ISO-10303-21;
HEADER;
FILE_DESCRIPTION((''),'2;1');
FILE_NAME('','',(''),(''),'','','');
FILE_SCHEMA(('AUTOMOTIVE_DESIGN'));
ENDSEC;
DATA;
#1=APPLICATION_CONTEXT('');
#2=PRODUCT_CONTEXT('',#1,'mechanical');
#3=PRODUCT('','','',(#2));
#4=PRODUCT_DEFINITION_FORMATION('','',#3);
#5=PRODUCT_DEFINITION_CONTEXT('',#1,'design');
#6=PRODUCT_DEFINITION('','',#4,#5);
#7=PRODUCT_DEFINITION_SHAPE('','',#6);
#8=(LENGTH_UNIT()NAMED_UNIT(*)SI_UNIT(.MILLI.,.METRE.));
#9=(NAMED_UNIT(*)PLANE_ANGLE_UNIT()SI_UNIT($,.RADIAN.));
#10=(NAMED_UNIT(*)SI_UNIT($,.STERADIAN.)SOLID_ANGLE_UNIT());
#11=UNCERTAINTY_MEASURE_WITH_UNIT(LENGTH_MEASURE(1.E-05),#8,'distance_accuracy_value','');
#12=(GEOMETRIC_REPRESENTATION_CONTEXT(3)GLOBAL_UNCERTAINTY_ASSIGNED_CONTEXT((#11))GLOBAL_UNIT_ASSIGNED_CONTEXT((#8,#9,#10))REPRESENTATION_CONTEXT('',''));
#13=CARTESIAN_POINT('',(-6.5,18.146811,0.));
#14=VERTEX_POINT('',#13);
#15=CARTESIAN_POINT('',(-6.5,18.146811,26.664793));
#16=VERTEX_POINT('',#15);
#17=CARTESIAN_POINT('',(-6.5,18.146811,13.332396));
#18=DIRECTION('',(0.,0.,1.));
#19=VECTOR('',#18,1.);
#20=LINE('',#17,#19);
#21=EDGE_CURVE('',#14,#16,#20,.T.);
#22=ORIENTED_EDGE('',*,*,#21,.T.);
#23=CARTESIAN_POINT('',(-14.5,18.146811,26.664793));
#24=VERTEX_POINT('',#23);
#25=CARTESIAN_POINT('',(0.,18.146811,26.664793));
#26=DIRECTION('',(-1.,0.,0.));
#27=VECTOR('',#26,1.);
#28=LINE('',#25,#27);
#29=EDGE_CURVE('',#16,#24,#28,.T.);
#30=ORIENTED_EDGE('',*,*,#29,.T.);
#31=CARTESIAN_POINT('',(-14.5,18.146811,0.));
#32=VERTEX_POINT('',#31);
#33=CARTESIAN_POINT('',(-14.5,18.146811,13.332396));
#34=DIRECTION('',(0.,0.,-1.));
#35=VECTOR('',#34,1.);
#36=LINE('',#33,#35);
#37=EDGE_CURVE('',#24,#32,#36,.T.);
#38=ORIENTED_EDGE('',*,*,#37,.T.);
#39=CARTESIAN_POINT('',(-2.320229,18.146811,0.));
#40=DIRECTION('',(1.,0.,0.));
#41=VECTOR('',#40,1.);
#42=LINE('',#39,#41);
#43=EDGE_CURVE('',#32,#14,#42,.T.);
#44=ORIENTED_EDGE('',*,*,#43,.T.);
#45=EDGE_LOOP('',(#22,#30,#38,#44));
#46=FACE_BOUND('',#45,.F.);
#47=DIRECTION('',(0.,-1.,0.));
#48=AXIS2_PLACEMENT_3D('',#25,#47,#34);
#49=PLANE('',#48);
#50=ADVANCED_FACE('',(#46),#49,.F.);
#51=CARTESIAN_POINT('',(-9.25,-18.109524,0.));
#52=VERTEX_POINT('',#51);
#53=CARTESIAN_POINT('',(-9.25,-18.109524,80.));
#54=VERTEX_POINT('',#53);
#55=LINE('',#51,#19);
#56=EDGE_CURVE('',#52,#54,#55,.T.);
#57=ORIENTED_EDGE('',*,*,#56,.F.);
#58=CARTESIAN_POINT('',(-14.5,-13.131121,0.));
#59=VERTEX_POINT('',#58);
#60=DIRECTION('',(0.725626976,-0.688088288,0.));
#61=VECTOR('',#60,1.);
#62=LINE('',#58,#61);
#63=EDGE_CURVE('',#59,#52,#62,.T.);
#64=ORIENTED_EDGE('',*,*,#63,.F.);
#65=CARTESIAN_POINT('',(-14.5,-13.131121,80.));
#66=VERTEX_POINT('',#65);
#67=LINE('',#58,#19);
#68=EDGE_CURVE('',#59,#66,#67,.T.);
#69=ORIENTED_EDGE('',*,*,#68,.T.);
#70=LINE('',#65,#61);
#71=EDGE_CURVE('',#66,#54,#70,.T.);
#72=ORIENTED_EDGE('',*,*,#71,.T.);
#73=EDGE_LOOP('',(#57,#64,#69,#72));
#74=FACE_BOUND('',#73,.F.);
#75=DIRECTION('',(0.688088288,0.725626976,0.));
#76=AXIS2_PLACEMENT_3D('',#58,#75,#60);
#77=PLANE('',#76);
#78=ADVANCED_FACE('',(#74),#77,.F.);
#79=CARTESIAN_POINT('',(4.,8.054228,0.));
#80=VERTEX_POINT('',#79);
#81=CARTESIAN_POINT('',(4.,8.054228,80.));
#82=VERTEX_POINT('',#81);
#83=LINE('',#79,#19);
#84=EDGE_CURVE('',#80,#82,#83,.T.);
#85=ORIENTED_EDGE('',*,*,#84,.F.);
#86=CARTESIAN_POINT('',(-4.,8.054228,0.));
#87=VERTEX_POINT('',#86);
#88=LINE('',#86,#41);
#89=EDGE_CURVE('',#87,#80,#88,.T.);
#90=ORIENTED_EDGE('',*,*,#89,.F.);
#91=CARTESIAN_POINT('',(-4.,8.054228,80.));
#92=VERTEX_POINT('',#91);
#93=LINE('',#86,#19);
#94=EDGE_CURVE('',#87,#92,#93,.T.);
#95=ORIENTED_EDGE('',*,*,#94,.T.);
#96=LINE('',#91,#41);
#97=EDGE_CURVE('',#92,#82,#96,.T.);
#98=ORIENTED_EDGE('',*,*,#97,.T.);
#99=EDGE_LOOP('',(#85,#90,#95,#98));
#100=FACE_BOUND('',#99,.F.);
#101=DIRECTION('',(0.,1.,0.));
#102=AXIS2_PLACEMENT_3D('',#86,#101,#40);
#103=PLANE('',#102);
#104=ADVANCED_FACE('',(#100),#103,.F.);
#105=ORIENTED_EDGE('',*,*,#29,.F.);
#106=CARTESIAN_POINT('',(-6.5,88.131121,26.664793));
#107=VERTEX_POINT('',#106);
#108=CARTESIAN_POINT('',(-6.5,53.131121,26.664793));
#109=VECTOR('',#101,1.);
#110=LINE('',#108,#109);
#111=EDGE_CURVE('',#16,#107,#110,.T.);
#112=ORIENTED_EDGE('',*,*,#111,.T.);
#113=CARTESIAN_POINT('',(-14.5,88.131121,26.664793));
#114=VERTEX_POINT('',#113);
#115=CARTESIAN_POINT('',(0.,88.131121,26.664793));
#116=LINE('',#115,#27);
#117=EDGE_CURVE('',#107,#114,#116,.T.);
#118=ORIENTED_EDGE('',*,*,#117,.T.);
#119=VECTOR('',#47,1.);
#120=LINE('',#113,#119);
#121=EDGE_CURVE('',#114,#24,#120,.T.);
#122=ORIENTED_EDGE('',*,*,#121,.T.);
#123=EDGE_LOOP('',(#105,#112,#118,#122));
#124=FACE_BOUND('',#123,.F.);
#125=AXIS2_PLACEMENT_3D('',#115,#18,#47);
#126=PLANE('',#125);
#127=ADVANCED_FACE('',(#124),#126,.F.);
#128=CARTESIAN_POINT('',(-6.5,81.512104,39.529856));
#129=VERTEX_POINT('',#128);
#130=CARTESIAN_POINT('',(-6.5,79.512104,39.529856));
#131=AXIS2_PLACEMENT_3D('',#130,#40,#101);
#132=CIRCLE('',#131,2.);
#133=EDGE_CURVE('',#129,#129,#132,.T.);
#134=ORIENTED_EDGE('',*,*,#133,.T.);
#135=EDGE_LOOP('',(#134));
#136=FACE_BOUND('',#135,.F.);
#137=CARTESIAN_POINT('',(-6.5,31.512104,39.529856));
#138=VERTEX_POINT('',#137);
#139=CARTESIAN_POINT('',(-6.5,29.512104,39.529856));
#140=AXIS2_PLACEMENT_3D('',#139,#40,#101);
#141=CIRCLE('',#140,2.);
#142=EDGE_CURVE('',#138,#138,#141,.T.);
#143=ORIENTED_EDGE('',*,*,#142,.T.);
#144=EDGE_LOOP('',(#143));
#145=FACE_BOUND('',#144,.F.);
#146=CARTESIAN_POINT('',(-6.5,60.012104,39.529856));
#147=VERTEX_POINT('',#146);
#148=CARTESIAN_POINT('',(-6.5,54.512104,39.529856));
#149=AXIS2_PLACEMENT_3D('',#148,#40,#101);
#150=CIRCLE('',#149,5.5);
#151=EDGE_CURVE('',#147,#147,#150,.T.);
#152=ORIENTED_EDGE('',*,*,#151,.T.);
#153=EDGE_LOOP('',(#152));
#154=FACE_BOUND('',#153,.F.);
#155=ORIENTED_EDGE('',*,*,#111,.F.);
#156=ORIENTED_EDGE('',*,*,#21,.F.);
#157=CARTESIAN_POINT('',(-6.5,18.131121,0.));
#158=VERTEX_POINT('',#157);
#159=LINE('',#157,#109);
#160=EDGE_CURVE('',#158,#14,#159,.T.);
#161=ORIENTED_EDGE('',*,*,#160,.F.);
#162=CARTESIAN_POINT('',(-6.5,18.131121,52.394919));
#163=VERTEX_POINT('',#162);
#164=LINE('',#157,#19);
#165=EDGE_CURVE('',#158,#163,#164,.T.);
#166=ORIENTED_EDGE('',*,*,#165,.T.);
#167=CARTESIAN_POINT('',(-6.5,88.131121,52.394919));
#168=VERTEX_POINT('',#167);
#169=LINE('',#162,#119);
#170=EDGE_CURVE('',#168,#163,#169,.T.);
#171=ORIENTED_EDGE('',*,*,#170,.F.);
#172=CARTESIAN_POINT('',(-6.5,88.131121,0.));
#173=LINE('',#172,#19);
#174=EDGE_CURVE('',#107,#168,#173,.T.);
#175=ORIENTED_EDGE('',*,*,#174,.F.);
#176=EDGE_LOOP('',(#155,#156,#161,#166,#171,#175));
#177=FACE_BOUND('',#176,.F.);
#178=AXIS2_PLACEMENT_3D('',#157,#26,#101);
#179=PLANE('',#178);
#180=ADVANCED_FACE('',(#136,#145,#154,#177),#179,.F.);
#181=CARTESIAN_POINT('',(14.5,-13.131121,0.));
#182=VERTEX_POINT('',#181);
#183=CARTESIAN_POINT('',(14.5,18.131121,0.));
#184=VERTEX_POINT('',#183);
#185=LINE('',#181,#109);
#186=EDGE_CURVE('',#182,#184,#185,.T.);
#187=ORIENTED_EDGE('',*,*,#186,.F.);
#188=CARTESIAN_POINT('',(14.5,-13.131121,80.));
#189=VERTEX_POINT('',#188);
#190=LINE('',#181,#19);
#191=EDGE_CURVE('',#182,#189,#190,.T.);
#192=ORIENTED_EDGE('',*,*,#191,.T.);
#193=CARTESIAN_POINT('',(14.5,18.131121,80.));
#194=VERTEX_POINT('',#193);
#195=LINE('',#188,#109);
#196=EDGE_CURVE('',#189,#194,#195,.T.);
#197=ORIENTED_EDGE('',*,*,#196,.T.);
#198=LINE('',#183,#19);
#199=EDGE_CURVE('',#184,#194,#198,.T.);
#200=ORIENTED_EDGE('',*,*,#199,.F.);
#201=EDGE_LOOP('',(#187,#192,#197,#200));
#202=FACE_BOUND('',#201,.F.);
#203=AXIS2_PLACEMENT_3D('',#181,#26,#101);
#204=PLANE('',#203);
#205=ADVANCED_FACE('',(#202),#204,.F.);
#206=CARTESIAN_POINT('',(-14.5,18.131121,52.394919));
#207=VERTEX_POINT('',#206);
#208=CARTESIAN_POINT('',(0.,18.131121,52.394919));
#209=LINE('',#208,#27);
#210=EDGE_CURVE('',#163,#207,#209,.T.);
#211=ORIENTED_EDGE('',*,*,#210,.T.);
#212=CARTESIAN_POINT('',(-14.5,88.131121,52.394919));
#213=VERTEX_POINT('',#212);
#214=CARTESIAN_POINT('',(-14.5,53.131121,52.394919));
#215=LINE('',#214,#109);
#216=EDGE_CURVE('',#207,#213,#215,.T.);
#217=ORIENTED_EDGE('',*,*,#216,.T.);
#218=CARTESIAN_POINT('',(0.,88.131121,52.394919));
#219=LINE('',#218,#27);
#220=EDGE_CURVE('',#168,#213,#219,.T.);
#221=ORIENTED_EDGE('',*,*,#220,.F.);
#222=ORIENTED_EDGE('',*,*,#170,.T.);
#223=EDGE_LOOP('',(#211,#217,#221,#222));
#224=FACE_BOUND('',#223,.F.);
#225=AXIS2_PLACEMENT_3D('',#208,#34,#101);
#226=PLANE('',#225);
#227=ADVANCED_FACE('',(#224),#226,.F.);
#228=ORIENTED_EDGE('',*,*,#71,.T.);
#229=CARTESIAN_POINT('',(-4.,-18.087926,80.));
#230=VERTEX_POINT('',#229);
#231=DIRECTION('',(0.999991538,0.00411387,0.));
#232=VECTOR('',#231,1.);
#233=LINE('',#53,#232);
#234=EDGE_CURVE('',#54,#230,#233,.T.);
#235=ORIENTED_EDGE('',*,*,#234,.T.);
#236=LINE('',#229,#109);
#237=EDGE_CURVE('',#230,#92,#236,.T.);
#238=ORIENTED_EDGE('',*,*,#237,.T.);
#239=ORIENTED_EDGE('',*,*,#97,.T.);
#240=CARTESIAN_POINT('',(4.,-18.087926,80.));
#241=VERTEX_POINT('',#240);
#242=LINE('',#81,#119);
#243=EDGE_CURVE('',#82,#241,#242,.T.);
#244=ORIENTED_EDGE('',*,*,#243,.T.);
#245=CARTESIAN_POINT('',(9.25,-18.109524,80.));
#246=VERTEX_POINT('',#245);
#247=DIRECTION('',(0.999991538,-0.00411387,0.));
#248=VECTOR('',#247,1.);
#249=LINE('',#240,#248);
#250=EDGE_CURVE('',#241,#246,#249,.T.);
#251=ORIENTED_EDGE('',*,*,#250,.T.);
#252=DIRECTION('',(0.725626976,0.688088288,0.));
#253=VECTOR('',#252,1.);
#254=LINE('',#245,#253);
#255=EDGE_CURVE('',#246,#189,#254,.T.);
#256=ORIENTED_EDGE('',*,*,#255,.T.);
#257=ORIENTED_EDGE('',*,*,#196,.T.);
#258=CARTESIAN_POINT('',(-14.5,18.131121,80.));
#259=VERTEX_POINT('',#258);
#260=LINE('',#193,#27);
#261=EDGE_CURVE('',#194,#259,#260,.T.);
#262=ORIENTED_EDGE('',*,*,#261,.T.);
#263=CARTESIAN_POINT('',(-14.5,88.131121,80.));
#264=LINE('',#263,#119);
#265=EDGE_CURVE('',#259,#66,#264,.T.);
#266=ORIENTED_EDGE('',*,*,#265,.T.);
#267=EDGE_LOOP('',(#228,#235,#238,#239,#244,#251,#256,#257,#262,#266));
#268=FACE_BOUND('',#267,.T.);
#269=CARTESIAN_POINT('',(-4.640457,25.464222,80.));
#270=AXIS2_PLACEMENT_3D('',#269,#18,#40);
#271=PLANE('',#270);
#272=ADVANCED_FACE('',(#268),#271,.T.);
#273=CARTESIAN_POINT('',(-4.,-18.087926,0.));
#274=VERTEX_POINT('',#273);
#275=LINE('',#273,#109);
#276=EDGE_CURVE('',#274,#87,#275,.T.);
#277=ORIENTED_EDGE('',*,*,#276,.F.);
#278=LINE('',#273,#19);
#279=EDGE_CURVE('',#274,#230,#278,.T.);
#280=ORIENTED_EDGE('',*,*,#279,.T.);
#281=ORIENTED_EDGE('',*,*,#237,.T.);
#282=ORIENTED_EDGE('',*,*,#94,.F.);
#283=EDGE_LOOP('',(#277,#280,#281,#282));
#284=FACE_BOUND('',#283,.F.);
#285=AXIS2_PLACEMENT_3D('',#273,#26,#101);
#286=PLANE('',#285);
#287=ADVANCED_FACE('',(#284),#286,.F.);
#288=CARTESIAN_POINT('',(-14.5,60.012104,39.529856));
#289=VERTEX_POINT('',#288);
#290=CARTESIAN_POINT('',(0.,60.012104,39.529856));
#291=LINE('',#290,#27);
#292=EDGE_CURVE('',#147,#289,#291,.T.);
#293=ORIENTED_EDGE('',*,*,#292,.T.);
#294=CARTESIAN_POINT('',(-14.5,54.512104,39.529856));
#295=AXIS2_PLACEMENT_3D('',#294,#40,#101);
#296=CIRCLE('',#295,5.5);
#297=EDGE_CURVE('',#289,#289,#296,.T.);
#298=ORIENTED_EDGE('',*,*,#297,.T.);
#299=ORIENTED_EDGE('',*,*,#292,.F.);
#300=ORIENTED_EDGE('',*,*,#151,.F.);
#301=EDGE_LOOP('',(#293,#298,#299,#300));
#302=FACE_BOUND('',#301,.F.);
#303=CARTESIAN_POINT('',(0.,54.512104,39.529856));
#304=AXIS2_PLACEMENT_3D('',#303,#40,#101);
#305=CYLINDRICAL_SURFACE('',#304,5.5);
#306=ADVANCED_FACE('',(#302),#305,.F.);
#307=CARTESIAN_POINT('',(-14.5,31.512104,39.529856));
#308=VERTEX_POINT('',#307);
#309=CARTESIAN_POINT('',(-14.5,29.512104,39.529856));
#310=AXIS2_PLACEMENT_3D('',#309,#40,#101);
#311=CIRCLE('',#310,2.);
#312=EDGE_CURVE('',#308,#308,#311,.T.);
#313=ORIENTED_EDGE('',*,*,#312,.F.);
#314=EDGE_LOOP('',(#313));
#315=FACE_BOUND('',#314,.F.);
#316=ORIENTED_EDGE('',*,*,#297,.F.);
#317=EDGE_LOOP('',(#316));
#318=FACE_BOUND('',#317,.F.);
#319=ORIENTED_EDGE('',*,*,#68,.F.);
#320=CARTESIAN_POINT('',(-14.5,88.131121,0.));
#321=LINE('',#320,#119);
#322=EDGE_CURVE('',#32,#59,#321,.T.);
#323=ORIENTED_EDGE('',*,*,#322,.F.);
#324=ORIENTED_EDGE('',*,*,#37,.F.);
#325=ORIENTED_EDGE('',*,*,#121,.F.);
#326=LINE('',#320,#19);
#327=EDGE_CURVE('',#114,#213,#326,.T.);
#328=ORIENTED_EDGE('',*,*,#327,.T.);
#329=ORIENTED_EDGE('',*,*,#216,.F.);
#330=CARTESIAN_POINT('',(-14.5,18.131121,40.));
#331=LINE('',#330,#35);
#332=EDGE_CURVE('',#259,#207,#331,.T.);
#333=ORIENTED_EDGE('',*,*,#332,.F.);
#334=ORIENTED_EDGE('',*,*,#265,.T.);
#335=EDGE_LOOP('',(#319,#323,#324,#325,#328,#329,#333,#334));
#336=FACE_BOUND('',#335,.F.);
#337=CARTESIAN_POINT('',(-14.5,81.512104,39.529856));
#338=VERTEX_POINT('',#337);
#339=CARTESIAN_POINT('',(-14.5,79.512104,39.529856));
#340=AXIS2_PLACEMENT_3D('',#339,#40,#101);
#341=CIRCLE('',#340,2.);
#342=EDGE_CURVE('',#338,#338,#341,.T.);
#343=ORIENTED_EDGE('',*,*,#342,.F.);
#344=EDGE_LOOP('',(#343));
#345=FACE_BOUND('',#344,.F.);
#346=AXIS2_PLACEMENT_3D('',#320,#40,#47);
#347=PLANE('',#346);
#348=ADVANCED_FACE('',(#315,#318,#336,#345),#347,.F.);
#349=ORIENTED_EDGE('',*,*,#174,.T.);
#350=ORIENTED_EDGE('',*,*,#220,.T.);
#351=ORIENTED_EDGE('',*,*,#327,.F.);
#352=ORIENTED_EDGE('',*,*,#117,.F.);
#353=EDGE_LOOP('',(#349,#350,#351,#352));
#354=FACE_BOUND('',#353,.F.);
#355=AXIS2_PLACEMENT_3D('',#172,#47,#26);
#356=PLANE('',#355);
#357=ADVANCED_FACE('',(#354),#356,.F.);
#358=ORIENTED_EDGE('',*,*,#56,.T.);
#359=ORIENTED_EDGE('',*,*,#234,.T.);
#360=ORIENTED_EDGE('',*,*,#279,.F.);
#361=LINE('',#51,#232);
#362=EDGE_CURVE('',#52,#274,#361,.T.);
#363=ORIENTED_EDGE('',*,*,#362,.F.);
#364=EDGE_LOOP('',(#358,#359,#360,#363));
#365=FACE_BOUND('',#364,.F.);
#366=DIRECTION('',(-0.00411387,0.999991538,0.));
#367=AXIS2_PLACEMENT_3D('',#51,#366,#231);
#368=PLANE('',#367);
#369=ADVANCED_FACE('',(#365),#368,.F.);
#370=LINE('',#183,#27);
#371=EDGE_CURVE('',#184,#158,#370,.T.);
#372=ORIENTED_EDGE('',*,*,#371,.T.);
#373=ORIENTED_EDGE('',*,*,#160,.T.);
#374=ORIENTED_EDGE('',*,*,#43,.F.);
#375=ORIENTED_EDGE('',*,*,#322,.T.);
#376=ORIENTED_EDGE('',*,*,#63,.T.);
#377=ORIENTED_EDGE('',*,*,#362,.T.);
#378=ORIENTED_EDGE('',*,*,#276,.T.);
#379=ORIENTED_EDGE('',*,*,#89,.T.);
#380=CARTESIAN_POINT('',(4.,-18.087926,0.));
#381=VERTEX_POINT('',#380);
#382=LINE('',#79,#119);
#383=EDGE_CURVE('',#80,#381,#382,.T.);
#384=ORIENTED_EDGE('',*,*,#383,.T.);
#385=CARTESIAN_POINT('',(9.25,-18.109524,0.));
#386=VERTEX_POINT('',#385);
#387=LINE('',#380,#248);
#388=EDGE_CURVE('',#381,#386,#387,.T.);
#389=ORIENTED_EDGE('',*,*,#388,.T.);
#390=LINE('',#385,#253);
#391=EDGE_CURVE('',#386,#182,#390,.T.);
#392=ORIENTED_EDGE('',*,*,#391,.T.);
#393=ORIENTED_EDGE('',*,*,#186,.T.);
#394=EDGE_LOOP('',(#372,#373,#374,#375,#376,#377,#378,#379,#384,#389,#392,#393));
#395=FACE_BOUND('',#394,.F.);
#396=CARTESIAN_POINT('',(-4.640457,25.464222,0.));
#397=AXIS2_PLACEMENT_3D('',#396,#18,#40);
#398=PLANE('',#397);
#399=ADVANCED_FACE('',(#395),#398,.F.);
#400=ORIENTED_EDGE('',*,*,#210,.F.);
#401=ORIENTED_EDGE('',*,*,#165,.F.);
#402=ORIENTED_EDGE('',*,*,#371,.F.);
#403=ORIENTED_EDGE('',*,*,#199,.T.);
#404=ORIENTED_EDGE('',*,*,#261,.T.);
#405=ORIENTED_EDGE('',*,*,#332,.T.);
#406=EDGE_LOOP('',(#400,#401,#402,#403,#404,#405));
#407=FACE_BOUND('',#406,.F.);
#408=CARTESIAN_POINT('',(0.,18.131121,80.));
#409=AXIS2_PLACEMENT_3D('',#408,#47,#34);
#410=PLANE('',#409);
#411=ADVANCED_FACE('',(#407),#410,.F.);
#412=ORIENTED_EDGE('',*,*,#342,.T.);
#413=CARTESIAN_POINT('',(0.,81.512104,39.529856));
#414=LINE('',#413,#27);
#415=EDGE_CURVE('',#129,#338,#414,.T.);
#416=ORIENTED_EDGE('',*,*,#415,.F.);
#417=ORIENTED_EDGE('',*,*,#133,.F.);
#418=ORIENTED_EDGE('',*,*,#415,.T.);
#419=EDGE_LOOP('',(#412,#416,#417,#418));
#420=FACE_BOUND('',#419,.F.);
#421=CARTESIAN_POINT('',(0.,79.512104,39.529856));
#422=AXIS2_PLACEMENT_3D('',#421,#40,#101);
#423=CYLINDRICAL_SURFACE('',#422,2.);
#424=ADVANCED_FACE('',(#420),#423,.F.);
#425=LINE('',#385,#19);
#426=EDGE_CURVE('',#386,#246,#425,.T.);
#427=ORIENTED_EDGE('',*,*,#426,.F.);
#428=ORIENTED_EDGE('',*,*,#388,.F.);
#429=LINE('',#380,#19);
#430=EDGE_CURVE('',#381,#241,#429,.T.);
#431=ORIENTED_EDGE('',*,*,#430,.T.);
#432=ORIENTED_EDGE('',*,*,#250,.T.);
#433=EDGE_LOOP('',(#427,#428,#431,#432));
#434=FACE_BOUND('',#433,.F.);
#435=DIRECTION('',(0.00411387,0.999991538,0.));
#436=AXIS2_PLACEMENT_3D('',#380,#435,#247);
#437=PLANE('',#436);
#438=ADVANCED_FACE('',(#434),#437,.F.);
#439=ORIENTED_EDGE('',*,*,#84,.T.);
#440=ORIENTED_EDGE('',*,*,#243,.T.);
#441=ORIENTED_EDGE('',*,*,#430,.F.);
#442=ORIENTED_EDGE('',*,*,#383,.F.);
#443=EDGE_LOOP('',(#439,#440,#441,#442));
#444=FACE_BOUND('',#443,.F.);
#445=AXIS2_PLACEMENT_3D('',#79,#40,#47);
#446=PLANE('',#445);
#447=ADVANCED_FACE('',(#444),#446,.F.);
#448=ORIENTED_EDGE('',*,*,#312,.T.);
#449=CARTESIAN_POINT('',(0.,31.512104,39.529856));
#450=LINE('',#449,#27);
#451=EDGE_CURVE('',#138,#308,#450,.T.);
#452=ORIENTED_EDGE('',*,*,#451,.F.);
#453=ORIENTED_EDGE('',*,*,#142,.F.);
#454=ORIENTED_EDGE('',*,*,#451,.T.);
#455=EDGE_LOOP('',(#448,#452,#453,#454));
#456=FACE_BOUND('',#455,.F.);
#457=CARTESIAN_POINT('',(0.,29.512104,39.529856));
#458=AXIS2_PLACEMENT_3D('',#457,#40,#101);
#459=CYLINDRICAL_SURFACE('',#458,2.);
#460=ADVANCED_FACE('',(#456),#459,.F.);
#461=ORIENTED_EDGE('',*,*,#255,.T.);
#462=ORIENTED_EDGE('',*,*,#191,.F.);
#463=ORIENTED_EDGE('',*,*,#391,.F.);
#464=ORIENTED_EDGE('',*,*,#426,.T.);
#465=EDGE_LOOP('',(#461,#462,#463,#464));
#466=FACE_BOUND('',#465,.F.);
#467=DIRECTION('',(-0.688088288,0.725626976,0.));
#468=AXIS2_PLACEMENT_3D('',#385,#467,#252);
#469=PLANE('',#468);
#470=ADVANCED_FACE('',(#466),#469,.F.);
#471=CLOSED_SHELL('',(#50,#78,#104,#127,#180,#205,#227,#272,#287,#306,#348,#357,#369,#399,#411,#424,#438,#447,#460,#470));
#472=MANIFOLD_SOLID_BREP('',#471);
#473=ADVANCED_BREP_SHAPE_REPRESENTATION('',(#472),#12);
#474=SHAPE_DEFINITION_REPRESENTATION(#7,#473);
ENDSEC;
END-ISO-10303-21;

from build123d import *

# Parameters (mm, degrees)
F1_DEPTH = 80
F2_R     = 2
F2_R_2   = 5.5
F3_DEPTH = 25


with BuildPart() as f1:
    # F0 (on Top) → F1 (new body)
    with BuildSketch(Plane.XY):
        Polygon((-14.5, 88.131121), (-14.5, 18.131121), (-14.5, -13.131121), (-9.25, -18.109524), (-4, -18.087926), (-4, 8.054228), (4, 8.054228), (4, -18.087926), (9.25, -18.109524), (14.5, -13.131121), (14.5, 18.131121), (-6.5, 18.131121), (-6.5, 88.131121), align=None)
    extrude(amount=F1_DEPTH)

    # F2 (on Right) → F3 (cut)
    with BuildSketch(Plane.YZ):
        Polygon((23.512104, 52.394919), (88.131121, 52.394919), (88.131121, 80), (18.131121, 80), (18.131121, 52.394919), align=None)
        Polygon((88.131121, -0.940287), (88.131121, 26.664793), (23.512104, 26.664793), (19.000409, 26.664793), (18.146811, 26.664793), (18.146811, 0), (18.146811, -0.940287), align=None)
        with Locations((79.512104, 39.529856)):
            Circle(F2_R)
        with Locations((54.512104, 39.529856)):
            Circle(F2_R_2)
        with Locations((29.512104, 39.529856)):
            Circle(F2_R)
    extrude(amount=-F3_DEPTH, mode=Mode.SUBTRACT)


solid = f1.part
